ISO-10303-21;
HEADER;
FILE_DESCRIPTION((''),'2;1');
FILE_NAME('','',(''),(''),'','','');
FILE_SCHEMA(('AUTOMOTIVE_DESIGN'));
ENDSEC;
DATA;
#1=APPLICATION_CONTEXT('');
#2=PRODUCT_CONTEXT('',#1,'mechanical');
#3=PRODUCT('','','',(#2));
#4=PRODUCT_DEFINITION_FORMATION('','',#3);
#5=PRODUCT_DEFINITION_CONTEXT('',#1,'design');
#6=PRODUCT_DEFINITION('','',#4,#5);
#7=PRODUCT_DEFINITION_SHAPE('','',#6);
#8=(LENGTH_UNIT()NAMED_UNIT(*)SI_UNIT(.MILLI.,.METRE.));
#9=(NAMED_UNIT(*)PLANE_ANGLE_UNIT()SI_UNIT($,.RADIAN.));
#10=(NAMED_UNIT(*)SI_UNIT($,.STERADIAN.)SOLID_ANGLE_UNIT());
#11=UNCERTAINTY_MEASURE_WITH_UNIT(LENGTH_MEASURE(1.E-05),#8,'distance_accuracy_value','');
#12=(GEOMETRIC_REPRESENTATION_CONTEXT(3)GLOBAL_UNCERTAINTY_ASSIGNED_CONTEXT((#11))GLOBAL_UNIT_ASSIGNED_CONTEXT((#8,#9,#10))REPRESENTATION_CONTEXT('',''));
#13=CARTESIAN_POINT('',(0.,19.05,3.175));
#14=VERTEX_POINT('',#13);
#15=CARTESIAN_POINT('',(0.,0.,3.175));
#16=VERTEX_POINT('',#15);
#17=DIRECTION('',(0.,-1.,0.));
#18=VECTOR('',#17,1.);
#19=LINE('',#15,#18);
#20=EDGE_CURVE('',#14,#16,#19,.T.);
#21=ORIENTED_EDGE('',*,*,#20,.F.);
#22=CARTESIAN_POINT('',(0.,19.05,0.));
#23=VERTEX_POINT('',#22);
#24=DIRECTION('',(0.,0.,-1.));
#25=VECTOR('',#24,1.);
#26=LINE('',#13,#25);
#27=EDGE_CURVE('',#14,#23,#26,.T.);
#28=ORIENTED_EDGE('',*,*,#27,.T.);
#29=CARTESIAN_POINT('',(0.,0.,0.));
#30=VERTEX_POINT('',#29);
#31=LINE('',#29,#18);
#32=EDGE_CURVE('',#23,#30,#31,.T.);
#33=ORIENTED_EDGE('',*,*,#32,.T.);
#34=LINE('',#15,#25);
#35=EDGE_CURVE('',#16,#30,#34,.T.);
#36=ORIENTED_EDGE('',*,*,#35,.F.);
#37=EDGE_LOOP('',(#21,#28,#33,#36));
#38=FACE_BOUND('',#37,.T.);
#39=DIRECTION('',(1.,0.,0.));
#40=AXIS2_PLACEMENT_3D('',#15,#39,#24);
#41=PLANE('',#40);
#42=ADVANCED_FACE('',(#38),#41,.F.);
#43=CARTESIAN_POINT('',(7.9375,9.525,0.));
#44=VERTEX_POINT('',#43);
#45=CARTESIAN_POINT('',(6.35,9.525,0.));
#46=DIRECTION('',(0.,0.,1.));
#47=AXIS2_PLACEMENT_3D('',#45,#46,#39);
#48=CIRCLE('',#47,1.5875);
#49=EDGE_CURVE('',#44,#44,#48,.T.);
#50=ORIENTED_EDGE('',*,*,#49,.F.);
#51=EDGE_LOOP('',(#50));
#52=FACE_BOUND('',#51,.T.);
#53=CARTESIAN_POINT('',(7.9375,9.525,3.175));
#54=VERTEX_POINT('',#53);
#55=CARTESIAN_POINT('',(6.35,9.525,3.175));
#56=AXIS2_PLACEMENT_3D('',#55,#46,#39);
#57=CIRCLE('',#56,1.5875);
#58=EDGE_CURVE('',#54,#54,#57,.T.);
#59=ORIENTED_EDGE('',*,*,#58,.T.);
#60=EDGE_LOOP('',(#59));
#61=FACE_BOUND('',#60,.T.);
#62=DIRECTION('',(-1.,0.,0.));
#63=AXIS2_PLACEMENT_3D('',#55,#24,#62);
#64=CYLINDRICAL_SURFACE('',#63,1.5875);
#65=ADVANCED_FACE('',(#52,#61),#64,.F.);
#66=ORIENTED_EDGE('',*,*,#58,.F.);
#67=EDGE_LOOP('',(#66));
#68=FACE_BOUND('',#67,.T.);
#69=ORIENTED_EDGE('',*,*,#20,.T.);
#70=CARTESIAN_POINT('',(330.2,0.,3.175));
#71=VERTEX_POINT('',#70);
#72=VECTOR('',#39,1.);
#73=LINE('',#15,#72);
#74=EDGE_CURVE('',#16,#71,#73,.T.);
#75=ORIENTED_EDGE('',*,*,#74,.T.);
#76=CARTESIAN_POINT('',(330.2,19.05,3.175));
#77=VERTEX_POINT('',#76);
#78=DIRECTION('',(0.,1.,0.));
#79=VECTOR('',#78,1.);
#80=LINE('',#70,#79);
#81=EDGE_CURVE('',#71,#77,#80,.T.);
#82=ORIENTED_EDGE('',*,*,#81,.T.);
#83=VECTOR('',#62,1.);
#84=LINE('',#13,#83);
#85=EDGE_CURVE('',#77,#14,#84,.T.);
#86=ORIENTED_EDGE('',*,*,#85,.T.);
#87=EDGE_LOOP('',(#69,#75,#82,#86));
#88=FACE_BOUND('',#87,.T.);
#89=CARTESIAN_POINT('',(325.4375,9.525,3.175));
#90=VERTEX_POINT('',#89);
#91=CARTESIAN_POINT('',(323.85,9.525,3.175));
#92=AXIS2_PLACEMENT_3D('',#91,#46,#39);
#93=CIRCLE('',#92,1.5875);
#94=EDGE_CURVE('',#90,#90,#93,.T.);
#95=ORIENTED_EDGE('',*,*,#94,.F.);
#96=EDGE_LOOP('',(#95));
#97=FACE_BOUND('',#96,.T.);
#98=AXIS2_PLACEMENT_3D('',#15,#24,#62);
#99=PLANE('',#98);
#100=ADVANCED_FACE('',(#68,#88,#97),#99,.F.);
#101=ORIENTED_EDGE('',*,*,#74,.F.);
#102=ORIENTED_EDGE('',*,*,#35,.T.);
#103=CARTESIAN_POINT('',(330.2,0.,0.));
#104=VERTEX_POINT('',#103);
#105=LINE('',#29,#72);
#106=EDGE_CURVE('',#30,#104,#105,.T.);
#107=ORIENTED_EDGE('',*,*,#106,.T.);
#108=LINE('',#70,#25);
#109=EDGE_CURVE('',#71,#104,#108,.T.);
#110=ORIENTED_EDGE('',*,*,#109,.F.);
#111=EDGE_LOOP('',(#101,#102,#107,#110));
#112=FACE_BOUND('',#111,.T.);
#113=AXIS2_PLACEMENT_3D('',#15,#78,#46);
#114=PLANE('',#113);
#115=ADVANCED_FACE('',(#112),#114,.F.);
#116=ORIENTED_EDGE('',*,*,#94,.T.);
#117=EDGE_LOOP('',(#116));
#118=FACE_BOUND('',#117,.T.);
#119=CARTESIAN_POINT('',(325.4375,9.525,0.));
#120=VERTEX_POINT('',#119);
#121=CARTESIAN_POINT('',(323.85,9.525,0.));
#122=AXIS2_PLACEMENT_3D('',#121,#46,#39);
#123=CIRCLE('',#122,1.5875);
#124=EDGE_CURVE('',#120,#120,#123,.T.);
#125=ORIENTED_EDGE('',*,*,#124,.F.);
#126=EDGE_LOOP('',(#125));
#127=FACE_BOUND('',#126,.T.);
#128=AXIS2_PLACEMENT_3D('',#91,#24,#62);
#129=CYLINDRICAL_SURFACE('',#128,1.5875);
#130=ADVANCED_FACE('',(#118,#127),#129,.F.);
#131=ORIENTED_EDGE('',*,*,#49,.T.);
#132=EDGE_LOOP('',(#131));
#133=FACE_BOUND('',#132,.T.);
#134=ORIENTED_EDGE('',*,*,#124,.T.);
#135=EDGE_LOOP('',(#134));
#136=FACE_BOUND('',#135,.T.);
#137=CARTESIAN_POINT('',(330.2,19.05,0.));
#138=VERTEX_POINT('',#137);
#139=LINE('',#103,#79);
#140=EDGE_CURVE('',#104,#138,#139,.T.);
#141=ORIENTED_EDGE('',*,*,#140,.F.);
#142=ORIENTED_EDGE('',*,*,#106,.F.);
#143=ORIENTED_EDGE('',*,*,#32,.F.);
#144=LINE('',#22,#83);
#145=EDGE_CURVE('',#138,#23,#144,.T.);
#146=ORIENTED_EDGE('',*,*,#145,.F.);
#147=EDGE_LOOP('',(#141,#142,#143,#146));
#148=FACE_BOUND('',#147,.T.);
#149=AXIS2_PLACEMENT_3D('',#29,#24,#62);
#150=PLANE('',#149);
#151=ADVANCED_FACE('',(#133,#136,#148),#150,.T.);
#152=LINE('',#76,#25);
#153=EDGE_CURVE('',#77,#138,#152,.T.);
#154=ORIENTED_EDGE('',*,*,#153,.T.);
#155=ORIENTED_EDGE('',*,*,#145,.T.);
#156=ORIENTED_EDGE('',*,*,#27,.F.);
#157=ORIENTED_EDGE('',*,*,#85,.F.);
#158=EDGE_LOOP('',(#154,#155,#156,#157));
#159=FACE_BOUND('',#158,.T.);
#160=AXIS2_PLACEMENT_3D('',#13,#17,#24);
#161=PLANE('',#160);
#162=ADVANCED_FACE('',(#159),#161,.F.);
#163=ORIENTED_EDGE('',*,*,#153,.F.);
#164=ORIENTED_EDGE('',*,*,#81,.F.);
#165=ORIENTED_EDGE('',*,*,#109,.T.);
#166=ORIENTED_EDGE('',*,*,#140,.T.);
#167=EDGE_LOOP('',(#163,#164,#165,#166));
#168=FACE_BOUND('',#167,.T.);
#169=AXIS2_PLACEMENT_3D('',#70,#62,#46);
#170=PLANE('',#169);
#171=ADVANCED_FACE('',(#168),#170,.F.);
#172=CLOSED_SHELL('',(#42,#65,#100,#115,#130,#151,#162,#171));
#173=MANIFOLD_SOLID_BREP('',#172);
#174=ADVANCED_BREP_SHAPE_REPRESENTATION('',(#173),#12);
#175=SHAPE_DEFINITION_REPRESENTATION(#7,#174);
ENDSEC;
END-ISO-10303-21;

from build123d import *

# Parameters (mm, degrees)
SKETCH7_W           = 330.2
SKETCH7_H           = 19.05
SKETCH7_R           = 1.5875
BOSS_EXTRUDE1_DEPTH = 3.175


with BuildPart() as part:
    # Sketch7 → Boss-Extrude1 (new body)
    with BuildSketch(Plane.XY):
        with Locations((165.1, 9.525)):
            Rectangle(SKETCH7_W, SKETCH7_H)
        with Locations((6.35, 9.525)):
            Circle(SKETCH7_R, mode=Mode.SUBTRACT)
        with Locations((323.85, 9.525)):
            Circle(SKETCH7_R, mode=Mode.SUBTRACT)
    extrude(amount=BOSS_EXTRUDE1_DEPTH)


solid = part.part
